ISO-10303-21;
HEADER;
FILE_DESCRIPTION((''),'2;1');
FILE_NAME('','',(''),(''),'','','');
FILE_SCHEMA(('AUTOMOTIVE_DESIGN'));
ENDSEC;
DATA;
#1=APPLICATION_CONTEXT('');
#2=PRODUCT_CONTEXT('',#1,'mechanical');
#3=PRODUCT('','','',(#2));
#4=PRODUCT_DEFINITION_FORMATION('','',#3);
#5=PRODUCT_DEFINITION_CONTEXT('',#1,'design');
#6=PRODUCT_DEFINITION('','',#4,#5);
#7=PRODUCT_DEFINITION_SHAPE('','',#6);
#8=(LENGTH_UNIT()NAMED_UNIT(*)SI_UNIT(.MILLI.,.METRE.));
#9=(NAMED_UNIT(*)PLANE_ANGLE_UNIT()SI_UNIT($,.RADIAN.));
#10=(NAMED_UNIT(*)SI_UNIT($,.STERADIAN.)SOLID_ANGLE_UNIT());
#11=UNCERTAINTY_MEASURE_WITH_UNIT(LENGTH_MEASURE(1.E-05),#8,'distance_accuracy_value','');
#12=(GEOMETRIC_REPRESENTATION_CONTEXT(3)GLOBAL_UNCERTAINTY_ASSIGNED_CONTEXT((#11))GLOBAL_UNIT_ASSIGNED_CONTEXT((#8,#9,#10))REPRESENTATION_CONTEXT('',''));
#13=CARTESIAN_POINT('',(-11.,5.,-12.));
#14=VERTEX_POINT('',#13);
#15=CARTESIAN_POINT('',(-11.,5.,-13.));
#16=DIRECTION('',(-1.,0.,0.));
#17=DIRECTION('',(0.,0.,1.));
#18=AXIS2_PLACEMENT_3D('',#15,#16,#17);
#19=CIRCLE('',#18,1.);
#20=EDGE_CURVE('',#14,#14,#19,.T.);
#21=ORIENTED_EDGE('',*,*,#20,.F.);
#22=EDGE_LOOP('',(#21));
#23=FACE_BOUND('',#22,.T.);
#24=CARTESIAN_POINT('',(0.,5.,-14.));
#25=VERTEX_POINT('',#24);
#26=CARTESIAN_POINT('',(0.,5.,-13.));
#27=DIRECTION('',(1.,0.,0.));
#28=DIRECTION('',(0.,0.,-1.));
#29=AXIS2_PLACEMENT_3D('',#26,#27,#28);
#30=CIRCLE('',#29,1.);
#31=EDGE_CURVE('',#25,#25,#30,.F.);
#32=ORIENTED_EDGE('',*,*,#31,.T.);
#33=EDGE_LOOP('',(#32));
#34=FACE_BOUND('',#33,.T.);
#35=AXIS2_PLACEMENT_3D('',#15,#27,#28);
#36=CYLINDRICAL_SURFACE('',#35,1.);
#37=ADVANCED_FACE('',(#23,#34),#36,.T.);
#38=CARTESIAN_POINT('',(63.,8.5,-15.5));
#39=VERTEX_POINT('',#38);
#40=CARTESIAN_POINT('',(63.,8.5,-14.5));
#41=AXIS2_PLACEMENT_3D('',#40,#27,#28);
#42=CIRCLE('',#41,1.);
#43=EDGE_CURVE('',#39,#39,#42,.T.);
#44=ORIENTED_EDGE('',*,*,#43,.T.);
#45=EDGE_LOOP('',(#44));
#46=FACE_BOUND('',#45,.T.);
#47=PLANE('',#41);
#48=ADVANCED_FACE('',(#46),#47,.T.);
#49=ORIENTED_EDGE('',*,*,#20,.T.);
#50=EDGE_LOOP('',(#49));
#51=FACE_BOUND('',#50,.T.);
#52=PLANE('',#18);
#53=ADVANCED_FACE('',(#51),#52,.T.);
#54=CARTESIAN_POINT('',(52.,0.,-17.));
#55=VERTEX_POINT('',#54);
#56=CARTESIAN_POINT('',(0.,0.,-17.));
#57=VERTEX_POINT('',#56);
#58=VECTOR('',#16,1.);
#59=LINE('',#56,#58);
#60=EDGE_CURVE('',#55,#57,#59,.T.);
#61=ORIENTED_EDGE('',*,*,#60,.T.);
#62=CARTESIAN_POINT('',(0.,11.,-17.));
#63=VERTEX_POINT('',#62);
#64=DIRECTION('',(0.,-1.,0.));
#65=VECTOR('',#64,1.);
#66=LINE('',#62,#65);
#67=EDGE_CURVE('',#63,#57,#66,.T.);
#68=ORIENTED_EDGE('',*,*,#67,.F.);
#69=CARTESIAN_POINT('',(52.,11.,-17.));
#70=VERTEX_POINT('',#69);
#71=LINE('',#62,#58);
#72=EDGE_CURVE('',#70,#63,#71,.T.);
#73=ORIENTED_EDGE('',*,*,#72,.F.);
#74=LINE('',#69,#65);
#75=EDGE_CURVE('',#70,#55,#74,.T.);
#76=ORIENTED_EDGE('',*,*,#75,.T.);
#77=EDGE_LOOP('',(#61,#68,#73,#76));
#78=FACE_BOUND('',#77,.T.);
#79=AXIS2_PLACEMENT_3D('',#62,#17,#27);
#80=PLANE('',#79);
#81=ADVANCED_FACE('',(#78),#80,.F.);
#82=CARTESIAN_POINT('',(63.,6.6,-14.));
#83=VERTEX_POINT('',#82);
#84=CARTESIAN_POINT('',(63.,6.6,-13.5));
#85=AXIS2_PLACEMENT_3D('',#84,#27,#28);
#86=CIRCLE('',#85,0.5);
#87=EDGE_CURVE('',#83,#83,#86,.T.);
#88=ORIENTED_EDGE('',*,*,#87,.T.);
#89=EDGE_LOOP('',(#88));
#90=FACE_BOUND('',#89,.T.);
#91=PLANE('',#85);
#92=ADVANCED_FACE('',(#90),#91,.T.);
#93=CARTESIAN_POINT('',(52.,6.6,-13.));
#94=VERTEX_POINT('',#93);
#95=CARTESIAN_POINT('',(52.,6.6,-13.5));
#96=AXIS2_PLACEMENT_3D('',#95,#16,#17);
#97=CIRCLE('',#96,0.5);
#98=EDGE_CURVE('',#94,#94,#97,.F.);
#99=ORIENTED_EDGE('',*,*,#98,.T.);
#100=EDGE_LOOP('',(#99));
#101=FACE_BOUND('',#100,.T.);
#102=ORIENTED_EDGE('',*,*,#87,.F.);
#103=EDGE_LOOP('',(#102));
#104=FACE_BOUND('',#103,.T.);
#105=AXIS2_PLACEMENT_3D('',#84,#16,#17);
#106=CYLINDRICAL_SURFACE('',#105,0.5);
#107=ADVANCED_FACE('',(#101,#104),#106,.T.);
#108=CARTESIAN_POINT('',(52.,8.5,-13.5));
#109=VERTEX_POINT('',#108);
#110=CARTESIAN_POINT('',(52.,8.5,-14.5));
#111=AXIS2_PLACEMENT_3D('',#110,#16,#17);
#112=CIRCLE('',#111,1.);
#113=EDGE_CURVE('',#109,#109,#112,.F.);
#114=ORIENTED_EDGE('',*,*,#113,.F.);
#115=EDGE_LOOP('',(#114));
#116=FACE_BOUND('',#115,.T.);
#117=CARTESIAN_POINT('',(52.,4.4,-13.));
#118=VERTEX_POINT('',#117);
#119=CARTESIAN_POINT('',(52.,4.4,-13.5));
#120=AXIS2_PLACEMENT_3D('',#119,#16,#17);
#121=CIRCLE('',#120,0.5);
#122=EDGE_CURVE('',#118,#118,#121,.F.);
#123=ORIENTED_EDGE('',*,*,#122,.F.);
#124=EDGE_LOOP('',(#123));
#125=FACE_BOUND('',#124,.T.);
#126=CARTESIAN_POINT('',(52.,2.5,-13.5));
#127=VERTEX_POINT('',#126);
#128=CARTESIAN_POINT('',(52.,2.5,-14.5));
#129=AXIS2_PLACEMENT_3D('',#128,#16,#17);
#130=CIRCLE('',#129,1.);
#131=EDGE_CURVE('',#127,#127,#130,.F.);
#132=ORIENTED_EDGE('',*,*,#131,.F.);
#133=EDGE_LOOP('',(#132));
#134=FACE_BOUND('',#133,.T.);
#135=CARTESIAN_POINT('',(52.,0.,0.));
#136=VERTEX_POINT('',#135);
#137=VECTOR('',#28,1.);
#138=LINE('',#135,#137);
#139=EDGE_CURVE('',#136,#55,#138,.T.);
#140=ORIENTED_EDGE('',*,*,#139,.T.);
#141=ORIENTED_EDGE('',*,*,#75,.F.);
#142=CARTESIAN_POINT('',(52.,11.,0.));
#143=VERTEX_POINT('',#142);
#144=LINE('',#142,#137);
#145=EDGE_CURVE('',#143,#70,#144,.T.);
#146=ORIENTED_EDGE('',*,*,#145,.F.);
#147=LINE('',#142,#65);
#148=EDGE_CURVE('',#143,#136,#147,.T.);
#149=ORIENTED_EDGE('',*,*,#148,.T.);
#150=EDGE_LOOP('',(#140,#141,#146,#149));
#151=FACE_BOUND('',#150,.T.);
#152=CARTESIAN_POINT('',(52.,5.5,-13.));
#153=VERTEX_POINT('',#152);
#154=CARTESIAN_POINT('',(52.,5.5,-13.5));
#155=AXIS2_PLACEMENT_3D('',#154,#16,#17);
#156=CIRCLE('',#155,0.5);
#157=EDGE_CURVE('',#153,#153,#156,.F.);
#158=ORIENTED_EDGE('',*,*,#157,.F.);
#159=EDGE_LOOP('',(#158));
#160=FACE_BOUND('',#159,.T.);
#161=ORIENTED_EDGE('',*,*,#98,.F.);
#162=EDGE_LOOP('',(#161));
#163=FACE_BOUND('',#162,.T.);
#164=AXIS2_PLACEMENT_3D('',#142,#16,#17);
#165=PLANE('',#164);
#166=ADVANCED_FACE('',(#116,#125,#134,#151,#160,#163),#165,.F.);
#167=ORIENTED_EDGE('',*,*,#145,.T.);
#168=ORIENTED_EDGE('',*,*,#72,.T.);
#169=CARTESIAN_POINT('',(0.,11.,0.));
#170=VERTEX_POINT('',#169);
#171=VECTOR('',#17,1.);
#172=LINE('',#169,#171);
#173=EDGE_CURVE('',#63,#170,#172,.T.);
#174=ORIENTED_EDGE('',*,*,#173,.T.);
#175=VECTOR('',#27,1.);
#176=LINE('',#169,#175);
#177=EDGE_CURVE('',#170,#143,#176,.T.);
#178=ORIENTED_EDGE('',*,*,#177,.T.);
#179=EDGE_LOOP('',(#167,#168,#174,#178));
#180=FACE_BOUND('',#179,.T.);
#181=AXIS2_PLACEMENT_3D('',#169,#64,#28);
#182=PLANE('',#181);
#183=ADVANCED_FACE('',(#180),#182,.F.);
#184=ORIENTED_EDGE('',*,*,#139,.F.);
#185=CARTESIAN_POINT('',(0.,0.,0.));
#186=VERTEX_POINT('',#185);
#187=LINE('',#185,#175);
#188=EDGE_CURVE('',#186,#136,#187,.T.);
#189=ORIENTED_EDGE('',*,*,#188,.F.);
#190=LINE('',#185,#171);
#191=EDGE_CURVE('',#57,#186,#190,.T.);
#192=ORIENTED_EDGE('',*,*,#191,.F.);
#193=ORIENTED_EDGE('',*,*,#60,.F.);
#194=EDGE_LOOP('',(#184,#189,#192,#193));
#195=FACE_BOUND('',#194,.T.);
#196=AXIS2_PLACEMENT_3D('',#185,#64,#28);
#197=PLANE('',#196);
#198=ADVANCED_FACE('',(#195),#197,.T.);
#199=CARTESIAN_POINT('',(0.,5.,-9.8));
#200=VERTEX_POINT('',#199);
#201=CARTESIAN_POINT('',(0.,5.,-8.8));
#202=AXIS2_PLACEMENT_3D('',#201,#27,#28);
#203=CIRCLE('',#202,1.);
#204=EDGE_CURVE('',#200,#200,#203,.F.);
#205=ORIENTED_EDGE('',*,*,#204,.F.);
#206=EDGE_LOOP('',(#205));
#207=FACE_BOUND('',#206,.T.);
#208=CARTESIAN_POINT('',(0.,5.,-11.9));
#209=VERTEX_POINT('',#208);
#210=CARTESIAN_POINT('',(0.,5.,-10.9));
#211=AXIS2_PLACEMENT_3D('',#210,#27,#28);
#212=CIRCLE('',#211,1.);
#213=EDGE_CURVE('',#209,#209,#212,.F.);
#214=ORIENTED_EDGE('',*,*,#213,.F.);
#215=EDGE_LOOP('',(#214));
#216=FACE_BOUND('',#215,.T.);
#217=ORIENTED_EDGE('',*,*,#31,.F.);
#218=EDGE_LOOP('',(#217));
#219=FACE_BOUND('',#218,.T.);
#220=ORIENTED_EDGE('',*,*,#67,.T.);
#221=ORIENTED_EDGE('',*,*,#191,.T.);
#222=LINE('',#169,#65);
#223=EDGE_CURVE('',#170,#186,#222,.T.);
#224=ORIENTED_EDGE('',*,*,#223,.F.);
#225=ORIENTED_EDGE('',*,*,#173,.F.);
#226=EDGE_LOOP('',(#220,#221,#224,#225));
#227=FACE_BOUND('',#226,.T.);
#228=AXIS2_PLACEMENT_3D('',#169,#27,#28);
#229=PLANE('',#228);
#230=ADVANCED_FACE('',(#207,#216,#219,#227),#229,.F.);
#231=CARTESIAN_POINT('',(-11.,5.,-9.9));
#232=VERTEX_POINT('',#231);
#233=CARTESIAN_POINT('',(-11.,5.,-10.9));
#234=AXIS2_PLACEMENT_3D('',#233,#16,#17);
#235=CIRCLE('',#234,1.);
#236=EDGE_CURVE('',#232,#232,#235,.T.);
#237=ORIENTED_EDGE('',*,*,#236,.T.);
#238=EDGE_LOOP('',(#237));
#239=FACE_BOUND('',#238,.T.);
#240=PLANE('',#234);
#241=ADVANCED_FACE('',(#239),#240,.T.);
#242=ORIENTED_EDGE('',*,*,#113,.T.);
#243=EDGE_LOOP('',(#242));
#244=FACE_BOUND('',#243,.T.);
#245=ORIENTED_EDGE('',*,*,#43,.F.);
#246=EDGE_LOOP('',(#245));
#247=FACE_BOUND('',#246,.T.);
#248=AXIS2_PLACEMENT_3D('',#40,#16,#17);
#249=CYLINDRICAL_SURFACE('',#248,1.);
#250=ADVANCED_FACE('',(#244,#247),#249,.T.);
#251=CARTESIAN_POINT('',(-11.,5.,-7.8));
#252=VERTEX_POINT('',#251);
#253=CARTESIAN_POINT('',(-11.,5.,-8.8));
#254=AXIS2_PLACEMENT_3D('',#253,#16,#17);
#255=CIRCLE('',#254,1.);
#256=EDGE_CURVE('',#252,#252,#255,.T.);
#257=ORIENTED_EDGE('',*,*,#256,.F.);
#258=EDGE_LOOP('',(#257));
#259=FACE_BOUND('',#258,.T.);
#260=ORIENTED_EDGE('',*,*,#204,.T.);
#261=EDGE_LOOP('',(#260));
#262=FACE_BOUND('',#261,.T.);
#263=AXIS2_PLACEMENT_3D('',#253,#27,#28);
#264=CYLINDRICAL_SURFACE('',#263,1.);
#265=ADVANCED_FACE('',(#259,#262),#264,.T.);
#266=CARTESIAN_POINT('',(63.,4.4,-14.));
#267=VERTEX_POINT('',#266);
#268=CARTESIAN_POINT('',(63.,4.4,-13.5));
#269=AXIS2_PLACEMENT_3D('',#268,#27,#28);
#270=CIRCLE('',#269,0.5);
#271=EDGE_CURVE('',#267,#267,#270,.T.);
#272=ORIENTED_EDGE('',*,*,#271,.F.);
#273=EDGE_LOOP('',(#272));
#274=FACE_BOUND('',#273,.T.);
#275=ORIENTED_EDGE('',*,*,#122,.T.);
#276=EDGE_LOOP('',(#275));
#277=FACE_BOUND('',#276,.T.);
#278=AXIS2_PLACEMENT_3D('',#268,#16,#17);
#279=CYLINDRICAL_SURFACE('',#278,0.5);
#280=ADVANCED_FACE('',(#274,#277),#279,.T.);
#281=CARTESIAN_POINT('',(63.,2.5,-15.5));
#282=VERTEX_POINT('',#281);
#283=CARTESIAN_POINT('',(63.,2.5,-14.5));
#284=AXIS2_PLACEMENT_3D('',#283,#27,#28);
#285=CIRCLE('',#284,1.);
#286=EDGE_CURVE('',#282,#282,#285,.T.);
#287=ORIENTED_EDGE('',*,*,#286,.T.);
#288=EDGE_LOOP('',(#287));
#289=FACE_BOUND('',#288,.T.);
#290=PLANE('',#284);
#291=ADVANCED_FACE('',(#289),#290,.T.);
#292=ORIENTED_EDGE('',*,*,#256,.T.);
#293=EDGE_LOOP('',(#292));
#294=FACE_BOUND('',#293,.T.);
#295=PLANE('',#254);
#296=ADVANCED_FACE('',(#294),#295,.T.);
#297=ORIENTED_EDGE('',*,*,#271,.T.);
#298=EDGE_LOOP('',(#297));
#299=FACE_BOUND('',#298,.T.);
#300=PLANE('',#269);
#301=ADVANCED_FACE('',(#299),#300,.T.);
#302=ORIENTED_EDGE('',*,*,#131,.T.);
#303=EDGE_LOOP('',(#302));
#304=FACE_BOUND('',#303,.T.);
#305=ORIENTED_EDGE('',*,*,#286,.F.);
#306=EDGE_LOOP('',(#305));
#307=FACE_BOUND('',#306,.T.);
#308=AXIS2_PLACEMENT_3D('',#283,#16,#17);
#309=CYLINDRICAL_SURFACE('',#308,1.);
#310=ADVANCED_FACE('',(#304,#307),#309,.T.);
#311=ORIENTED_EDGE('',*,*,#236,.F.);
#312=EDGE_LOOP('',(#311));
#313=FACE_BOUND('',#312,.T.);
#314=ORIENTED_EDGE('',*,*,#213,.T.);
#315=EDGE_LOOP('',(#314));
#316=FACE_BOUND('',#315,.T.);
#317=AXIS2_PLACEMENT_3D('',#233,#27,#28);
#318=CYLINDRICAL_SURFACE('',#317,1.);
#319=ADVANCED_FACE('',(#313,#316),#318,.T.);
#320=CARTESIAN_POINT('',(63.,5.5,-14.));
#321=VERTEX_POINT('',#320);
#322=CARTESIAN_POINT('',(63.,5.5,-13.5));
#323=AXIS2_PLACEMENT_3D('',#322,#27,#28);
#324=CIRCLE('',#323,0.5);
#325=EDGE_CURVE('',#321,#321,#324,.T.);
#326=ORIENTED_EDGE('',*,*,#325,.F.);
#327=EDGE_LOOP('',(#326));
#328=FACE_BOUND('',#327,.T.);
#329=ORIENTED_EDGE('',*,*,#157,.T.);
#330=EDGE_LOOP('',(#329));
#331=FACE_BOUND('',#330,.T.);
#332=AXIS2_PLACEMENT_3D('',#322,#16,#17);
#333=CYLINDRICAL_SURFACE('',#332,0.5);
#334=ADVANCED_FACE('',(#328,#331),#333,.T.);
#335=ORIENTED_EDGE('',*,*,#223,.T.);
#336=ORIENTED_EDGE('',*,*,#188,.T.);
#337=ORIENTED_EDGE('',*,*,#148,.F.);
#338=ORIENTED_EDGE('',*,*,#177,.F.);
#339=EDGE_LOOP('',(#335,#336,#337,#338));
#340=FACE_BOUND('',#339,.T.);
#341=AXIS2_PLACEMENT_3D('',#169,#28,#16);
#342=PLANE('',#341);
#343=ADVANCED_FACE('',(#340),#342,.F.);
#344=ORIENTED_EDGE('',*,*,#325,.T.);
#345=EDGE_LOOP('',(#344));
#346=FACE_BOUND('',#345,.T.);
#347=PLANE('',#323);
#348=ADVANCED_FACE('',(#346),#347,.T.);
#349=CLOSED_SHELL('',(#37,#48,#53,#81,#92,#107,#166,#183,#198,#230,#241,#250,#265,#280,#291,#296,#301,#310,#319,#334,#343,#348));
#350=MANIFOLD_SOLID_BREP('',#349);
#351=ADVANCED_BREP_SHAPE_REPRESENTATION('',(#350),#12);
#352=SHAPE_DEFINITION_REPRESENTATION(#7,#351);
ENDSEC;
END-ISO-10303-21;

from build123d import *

# Parameters (mm, degrees)
SKETCH1_W           = 52
SKETCH1_H           = 17
BOSS_EXTRUDE1_DEPTH = 11
SKETCH2_R           = 1
BOSS_EXTRUDE2_DEPTH = 11
SKETCH3_R           = 1
SKETCH3_R_2         = 0.5
BOSS_EXTRUDE3_DEPTH = 11


with BuildPart() as part:
    # Sketch1 → Boss-Extrude1 (new body)
    with BuildSketch(Plane(origin=(0, 0, 0), x_dir=(1, 0, 0), z_dir=(0, 1, 0))):
        with Locations((26, 8.5)):
            Rectangle(SKETCH1_W, SKETCH1_H)
    extrude(amount=BOSS_EXTRUDE1_DEPTH)

    # Sketch2 → Boss-Extrude2 (add)
    with BuildSketch(Plane.ZY):
        with Locations(Location((-13, 5, 0), (0, 0, 180))):
            Circle(SKETCH2_R)
        with Locations(Location((-10.9, 5, 0), (0, 0, 180))):
            Circle(SKETCH2_R)
        with Locations(Location((-8.8, 5, 0), (0, 0, 180))):
            Circle(SKETCH2_R)
    extrude(amount=BOSS_EXTRUDE2_DEPTH)

    # Sketch3 → Boss-Extrude3 (add)
    with BuildSketch(Plane(origin=(52, 0, 0), x_dir=(0, 0, -1), z_dir=(1, 0, 0))):
        with Locations(Location((14.5, 8.5, 0), (0, 0, 180))):
            Circle(SKETCH3_R)
        with Locations(Location((14.5, 2.5, 0), (0, 0, 180))):
            Circle(SKETCH3_R)
        with Locations(Location((13.5, 6.6, 0), (0, 0, 180))):
            Circle(SKETCH3_R_2)
        with Locations(Location((13.5, 5.5, 0), (0, 0, 180))):
            Circle(SKETCH3_R_2)
        with Locations(Location((13.5, 4.4, 0), (0, 0, 180))):
            Circle(SKETCH3_R_2)
    extrude(amount=BOSS_EXTRUDE3_DEPTH)


solid = part.part
